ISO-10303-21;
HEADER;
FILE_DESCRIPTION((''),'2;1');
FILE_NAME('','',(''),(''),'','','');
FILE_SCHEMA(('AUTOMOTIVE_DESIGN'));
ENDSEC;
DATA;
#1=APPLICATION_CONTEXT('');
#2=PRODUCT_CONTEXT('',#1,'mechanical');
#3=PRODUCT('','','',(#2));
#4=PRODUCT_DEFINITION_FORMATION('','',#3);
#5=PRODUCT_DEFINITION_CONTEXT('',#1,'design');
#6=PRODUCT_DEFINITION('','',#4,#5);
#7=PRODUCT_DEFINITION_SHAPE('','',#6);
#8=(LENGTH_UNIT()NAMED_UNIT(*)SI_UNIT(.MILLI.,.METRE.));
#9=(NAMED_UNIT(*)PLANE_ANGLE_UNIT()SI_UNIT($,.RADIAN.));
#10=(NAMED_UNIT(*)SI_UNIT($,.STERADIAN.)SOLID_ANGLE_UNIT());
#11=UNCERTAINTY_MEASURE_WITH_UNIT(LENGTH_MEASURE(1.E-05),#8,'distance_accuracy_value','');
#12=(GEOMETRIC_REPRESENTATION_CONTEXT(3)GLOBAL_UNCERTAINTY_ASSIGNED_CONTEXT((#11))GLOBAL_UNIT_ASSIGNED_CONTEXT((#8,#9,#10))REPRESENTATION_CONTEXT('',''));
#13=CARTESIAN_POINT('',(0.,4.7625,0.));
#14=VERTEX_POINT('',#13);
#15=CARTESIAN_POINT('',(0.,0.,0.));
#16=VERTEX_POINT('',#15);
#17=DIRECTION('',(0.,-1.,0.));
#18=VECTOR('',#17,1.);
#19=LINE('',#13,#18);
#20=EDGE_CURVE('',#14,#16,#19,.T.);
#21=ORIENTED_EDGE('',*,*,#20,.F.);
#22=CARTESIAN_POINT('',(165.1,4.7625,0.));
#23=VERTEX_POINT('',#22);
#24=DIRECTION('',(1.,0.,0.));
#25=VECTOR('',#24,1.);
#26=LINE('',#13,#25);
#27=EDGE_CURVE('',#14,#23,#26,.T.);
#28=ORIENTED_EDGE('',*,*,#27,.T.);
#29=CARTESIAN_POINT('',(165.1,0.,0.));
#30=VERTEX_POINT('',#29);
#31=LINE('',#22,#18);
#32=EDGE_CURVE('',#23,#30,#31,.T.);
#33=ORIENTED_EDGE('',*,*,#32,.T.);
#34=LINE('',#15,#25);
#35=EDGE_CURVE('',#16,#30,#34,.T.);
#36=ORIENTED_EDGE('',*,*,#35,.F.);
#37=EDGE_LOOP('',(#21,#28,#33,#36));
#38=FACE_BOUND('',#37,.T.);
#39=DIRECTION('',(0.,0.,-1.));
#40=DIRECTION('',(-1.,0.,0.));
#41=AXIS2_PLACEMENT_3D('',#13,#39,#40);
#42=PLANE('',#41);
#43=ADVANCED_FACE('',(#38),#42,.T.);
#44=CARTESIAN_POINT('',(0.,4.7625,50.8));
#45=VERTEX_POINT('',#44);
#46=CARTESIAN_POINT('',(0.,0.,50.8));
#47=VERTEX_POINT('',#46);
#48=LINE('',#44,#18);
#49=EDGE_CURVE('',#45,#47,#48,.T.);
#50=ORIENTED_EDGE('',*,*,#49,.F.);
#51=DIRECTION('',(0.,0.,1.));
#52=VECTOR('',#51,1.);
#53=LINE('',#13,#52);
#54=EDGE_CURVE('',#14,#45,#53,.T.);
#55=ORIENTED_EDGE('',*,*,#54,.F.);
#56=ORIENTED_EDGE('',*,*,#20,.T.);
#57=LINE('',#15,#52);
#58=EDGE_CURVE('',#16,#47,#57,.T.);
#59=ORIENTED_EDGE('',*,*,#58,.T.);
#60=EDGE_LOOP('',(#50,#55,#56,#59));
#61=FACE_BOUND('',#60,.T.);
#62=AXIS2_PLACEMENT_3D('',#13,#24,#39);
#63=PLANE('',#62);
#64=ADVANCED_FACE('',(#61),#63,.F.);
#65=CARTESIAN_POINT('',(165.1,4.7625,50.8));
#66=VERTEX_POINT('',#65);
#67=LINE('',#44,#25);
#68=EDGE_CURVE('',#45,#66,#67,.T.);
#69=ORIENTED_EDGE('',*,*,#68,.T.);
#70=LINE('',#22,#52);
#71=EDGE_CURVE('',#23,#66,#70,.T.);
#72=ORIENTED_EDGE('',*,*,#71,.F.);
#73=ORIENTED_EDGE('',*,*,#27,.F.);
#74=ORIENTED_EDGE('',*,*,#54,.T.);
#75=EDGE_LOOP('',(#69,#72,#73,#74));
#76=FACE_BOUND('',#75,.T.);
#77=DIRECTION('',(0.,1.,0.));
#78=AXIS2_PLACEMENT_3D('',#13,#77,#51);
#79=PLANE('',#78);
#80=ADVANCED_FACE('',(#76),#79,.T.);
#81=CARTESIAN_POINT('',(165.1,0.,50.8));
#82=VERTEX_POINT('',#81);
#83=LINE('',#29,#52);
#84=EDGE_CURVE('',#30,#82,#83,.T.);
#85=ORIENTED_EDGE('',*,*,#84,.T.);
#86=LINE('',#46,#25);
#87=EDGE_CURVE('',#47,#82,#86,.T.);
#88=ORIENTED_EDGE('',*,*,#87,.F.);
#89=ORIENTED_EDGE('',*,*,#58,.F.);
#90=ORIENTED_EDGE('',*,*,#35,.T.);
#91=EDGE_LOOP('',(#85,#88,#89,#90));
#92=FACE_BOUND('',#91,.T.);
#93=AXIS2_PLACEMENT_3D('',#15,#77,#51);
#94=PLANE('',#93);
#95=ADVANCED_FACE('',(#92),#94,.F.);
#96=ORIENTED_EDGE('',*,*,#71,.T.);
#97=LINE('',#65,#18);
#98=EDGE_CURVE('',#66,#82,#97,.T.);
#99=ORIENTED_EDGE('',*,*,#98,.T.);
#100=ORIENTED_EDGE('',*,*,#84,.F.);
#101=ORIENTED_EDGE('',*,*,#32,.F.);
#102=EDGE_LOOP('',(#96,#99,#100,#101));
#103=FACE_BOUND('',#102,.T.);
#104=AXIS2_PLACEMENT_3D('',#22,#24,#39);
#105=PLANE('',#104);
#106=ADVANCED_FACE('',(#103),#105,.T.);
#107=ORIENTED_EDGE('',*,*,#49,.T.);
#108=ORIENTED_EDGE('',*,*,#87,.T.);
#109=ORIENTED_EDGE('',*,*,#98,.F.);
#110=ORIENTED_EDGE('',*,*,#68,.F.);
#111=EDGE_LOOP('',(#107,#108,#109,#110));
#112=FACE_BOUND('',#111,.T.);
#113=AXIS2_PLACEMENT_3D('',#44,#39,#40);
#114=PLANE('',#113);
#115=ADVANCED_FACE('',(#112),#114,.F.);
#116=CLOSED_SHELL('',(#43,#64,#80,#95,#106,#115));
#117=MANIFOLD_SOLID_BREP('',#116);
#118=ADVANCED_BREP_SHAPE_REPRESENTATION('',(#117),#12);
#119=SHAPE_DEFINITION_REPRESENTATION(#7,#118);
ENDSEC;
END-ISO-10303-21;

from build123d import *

# Parameters (mm, degrees)
SKETCH1_W           = 165.1
SKETCH1_H           = 50.8
BOSS_EXTRUDE1_DEPTH = 4.7625


with BuildPart() as part:
    # Sketch1 → Boss-Extrude1 (new body)
    with BuildSketch(Plane(origin=(0, 0, 0), x_dir=(1, 0, 0), z_dir=(0, 1, 0))):
        with Locations((82.55, -25.4)):
            Rectangle(SKETCH1_W, SKETCH1_H)
    extrude(amount=BOSS_EXTRUDE1_DEPTH)


solid = part.part
